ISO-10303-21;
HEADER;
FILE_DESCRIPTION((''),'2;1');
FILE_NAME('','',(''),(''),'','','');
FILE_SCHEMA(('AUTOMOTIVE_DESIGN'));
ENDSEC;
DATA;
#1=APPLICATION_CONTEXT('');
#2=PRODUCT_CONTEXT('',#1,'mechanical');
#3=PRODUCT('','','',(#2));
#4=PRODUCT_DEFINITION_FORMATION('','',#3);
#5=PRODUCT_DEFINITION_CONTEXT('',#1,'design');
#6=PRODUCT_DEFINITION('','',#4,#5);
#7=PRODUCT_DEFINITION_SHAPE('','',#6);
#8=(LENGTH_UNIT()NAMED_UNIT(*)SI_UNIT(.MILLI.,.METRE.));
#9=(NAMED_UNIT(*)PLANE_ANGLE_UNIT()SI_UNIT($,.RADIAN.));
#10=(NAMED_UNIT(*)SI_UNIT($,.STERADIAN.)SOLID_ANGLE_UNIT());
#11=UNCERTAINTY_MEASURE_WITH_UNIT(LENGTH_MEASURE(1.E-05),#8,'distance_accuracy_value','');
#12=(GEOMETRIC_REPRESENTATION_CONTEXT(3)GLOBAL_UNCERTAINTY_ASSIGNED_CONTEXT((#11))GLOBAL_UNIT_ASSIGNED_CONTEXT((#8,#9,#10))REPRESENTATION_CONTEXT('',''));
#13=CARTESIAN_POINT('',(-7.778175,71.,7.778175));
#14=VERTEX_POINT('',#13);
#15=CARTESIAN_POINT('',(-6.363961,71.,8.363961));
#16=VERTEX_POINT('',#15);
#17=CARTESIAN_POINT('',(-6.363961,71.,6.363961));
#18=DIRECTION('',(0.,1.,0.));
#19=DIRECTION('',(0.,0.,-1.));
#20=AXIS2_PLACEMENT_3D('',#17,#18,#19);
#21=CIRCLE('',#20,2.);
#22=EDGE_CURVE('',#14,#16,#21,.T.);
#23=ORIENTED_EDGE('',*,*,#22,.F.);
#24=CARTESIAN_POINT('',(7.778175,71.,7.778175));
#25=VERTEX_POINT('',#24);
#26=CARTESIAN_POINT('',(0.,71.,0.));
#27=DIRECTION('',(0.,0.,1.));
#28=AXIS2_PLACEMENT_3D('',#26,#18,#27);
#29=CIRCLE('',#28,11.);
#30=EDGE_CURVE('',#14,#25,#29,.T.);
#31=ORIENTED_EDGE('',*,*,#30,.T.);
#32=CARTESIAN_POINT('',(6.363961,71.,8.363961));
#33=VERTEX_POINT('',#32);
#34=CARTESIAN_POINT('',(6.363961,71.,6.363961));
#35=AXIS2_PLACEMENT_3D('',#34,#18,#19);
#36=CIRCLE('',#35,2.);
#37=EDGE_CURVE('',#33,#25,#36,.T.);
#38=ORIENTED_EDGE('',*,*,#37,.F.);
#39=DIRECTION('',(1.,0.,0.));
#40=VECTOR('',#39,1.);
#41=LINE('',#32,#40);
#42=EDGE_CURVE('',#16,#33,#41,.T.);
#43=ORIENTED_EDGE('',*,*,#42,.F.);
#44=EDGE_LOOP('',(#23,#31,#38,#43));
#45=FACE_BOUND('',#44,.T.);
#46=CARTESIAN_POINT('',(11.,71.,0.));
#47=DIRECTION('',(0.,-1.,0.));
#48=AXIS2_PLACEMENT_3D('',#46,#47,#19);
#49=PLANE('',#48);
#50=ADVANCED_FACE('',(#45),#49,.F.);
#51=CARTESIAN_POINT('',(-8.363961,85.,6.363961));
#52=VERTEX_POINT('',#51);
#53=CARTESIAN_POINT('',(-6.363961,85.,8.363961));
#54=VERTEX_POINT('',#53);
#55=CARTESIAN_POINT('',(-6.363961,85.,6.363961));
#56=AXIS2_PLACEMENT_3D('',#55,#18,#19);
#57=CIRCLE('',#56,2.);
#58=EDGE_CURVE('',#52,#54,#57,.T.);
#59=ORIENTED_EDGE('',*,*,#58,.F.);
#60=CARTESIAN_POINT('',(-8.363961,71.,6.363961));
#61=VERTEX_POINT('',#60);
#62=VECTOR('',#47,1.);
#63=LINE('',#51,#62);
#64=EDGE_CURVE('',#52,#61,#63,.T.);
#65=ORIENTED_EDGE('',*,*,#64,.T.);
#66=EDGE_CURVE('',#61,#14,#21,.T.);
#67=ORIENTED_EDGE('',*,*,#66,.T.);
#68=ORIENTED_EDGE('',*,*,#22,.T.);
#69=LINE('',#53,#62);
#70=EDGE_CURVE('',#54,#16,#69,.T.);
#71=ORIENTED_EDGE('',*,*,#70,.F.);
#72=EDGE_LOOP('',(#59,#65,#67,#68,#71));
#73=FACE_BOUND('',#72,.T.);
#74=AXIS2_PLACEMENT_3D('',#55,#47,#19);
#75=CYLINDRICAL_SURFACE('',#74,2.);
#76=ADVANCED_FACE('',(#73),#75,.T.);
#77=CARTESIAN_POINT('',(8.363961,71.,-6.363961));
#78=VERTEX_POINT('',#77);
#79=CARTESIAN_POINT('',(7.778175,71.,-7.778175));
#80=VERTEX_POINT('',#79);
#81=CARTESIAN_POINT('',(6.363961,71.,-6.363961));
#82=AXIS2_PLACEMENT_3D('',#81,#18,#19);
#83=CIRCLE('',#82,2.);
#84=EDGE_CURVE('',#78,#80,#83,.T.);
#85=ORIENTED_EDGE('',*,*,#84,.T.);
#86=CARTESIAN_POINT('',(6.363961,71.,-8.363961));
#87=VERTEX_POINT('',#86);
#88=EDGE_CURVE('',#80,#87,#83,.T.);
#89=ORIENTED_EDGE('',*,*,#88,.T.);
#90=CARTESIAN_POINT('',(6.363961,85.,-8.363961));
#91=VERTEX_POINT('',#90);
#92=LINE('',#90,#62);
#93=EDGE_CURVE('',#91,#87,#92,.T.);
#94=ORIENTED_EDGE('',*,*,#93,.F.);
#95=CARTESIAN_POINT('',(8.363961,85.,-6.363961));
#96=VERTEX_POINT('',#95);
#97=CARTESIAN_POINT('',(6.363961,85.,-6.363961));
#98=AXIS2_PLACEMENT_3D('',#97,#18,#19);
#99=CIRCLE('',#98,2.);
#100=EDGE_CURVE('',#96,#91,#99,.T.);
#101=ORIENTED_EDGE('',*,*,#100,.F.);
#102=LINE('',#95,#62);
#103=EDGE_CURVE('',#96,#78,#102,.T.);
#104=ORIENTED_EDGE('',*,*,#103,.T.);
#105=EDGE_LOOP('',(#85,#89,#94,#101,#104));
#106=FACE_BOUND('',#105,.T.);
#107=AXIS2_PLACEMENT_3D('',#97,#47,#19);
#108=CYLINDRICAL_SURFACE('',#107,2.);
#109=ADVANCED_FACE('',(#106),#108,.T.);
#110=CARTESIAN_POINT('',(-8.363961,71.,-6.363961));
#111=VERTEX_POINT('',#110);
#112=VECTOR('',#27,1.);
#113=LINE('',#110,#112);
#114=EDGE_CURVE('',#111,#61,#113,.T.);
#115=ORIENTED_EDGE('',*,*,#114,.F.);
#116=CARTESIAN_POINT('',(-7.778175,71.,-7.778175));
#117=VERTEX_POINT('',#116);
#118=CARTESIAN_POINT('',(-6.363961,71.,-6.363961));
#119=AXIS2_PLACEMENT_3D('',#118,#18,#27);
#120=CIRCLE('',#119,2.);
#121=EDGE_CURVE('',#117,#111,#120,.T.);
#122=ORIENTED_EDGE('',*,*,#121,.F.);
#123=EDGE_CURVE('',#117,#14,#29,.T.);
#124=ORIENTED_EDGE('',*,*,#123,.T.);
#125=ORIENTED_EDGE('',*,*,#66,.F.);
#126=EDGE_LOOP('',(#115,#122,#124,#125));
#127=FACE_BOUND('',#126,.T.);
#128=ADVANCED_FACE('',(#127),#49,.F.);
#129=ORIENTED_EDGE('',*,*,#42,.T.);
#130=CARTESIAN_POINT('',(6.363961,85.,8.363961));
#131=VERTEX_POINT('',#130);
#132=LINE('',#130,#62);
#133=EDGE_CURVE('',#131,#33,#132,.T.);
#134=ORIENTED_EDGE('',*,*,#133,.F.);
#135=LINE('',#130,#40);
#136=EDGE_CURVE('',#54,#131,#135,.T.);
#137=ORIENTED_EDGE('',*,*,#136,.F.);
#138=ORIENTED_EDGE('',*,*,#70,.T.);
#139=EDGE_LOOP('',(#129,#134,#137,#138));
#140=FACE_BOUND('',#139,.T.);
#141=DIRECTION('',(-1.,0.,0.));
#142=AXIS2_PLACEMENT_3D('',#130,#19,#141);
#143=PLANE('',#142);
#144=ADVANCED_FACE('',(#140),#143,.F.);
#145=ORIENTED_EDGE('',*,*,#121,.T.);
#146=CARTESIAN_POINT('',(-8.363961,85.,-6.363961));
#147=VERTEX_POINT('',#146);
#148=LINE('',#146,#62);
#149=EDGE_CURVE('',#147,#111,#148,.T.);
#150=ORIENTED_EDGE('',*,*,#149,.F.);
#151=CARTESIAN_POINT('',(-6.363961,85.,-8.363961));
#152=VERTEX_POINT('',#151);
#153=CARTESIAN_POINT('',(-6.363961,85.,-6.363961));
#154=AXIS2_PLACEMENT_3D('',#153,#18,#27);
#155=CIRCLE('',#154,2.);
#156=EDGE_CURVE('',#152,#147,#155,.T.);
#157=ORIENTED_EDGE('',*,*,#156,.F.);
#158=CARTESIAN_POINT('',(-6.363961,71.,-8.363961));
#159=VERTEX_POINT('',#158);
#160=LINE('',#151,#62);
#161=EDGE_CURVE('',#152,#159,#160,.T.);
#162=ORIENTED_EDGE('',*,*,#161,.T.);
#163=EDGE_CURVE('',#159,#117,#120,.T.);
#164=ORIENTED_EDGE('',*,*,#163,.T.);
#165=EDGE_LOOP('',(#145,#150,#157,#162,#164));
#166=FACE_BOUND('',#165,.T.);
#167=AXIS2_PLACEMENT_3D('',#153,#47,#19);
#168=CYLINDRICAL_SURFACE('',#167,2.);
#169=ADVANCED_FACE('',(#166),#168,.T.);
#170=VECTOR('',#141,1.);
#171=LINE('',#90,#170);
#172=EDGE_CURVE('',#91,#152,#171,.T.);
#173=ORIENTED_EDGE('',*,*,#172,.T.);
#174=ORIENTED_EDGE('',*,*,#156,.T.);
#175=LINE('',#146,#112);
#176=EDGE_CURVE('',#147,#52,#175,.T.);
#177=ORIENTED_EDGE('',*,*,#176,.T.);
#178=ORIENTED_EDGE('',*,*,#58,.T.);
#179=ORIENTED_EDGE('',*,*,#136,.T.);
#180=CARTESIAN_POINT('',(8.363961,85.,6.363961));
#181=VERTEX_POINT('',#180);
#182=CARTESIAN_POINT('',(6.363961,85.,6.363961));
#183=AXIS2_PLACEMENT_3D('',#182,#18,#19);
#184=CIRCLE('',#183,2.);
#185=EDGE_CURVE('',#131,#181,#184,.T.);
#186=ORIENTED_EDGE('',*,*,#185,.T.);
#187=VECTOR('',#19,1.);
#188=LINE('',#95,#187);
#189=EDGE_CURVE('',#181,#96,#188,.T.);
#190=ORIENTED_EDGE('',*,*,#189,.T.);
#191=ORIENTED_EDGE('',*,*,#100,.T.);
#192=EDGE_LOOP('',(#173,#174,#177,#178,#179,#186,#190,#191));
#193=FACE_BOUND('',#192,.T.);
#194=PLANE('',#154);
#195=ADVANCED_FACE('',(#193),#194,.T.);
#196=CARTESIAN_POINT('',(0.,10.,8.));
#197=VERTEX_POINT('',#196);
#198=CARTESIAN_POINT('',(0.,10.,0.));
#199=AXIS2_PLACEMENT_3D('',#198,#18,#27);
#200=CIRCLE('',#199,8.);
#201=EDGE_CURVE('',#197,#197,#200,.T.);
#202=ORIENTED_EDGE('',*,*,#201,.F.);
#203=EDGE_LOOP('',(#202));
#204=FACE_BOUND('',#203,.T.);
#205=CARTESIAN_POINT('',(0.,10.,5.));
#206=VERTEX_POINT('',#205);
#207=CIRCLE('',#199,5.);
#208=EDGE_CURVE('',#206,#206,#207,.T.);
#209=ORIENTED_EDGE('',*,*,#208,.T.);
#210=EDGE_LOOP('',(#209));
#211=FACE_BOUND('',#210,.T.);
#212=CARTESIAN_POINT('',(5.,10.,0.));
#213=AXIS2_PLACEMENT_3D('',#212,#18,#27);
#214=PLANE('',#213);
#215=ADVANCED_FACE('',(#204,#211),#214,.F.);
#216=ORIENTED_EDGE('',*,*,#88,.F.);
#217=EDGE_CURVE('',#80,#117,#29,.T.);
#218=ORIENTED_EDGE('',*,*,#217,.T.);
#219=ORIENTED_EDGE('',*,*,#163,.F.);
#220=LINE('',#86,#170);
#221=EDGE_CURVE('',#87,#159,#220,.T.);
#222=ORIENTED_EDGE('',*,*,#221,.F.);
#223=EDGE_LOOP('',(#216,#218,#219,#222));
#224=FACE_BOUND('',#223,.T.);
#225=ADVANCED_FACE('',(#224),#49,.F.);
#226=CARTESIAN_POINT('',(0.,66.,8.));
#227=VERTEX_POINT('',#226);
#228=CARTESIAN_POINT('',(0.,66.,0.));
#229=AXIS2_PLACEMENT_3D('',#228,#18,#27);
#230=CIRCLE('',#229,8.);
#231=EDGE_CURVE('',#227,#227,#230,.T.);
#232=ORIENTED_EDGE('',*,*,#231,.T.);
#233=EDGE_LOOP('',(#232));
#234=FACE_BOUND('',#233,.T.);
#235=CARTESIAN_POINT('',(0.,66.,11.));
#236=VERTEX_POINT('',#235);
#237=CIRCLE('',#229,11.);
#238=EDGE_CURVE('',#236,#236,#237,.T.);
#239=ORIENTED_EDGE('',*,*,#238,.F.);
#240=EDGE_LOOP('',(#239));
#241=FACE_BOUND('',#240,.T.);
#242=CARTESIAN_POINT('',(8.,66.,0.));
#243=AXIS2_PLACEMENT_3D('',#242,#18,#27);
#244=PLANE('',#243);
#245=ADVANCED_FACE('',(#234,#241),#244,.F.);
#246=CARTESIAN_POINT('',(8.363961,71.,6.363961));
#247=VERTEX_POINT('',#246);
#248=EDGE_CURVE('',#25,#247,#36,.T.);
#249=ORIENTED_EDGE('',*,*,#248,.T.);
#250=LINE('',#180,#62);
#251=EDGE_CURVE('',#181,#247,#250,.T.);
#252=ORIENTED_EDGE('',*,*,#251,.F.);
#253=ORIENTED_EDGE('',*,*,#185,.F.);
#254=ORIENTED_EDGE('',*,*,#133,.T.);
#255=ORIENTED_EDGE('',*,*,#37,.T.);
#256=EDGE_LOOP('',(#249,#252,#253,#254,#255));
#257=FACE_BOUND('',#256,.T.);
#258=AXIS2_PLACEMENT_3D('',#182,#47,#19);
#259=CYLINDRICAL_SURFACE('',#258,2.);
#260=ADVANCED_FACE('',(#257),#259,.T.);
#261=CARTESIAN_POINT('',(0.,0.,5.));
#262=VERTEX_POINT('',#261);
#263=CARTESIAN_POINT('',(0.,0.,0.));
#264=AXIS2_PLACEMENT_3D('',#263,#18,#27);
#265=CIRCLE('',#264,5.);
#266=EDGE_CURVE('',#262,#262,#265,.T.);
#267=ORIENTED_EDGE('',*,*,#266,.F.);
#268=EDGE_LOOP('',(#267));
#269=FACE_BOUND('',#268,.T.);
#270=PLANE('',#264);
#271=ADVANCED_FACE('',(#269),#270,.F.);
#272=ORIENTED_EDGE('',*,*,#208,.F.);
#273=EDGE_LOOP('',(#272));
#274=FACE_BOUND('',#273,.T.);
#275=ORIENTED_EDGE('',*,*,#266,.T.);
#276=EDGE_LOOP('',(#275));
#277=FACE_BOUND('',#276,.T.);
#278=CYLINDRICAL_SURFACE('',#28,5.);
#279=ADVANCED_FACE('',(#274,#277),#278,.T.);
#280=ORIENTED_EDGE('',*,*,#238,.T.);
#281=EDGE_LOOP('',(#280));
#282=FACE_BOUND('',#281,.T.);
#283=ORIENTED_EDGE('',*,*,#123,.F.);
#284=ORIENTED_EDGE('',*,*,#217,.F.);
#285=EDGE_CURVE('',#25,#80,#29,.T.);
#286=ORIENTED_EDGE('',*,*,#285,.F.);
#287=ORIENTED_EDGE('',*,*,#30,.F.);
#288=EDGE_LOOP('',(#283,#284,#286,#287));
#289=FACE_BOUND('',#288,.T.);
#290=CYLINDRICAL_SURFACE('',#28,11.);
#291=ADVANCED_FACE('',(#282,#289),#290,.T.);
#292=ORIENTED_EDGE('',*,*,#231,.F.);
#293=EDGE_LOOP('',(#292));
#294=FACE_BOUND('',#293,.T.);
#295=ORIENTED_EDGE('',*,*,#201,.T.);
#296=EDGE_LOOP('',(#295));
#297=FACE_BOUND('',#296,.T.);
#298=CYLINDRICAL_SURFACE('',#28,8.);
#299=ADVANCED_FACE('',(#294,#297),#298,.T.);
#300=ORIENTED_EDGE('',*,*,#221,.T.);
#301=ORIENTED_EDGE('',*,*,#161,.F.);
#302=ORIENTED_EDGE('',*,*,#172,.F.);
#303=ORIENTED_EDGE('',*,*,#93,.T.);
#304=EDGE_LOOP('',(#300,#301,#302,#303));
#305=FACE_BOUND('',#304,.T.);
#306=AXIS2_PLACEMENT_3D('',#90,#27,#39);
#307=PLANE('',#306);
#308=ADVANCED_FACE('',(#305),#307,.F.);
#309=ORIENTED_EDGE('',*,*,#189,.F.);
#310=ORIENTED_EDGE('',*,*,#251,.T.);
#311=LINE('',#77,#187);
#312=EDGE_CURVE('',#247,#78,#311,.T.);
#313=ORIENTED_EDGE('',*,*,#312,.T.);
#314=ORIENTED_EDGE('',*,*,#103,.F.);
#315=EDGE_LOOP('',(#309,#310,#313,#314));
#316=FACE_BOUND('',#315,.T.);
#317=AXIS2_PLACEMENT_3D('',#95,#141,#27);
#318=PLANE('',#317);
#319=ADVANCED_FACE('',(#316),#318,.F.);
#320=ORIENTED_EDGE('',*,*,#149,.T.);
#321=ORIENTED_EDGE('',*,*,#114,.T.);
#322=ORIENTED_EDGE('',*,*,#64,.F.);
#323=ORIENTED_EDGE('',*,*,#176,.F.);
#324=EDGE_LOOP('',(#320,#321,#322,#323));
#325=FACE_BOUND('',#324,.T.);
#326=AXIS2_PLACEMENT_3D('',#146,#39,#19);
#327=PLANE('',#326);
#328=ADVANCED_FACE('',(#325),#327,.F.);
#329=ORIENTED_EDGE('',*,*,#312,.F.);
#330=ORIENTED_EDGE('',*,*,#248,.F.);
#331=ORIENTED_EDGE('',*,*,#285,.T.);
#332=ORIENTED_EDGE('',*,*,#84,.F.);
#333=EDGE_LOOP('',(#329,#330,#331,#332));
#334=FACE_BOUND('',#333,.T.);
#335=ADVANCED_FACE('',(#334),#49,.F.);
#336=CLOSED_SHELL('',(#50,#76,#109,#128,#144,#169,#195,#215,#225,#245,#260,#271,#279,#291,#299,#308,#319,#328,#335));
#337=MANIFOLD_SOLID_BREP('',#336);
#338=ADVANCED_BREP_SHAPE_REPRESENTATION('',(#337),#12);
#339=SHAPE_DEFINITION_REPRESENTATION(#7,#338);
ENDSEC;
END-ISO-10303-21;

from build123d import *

# Parameters (mm, degrees)
BOSS_EXTRUDE1_DEPTH = 14


with BuildPart() as part:
    # Sketch1 → Revolve1 (revolve)
    with BuildSketch(Plane.XY, mode=Mode.PRIVATE) as revolve1_sk:
        Polygon((0, 0), (5, 0), (5, 10), (8, 10), (8, 66), (11, 66), (11, 71), (0, 71), align=None)
    revolve(revolve1_sk.sketch.rotate(Axis((0, 71, 0), (0, -1, 0)), 90), axis=Axis((0, 71, 0), (0, -1, 0)))

    # Sketch2 → Boss-Extrude1 (add)
    with BuildSketch(Plane(origin=(0, 71, 0), x_dir=(1, 0, 0), z_dir=(0, 1, 0))):
        with BuildLine():
            Line((6.363961031, 8.363961031), (-6.363961031, 8.363961031))
            ThreePointArc((-6.363961031, 8.363961031), (-7.778174593, 7.778174593), (-8.363961031, 6.363961031))
            Line((-8.363961031, 6.363961031), (-8.363961031, -6.363961031))
            ThreePointArc((-8.363961031, -6.363961031), (-7.778174593, -7.778174593), (-6.363961031, -8.363961031))
            Line((-6.363961031, -8.363961031), (6.363961031, -8.363961031))
            ThreePointArc((6.363961031, -8.363961031), (7.778174593, -7.778174593), (8.363961031, -6.363961031))
            Line((8.363961031, -6.363961031), (8.363961031, 6.363961031))
            ThreePointArc((8.363961031, 6.363961031), (7.778174593, 7.778174593), (6.363961031, 8.363961031))
        make_face()
    extrude(amount=BOSS_EXTRUDE1_DEPTH)


solid = part.part
